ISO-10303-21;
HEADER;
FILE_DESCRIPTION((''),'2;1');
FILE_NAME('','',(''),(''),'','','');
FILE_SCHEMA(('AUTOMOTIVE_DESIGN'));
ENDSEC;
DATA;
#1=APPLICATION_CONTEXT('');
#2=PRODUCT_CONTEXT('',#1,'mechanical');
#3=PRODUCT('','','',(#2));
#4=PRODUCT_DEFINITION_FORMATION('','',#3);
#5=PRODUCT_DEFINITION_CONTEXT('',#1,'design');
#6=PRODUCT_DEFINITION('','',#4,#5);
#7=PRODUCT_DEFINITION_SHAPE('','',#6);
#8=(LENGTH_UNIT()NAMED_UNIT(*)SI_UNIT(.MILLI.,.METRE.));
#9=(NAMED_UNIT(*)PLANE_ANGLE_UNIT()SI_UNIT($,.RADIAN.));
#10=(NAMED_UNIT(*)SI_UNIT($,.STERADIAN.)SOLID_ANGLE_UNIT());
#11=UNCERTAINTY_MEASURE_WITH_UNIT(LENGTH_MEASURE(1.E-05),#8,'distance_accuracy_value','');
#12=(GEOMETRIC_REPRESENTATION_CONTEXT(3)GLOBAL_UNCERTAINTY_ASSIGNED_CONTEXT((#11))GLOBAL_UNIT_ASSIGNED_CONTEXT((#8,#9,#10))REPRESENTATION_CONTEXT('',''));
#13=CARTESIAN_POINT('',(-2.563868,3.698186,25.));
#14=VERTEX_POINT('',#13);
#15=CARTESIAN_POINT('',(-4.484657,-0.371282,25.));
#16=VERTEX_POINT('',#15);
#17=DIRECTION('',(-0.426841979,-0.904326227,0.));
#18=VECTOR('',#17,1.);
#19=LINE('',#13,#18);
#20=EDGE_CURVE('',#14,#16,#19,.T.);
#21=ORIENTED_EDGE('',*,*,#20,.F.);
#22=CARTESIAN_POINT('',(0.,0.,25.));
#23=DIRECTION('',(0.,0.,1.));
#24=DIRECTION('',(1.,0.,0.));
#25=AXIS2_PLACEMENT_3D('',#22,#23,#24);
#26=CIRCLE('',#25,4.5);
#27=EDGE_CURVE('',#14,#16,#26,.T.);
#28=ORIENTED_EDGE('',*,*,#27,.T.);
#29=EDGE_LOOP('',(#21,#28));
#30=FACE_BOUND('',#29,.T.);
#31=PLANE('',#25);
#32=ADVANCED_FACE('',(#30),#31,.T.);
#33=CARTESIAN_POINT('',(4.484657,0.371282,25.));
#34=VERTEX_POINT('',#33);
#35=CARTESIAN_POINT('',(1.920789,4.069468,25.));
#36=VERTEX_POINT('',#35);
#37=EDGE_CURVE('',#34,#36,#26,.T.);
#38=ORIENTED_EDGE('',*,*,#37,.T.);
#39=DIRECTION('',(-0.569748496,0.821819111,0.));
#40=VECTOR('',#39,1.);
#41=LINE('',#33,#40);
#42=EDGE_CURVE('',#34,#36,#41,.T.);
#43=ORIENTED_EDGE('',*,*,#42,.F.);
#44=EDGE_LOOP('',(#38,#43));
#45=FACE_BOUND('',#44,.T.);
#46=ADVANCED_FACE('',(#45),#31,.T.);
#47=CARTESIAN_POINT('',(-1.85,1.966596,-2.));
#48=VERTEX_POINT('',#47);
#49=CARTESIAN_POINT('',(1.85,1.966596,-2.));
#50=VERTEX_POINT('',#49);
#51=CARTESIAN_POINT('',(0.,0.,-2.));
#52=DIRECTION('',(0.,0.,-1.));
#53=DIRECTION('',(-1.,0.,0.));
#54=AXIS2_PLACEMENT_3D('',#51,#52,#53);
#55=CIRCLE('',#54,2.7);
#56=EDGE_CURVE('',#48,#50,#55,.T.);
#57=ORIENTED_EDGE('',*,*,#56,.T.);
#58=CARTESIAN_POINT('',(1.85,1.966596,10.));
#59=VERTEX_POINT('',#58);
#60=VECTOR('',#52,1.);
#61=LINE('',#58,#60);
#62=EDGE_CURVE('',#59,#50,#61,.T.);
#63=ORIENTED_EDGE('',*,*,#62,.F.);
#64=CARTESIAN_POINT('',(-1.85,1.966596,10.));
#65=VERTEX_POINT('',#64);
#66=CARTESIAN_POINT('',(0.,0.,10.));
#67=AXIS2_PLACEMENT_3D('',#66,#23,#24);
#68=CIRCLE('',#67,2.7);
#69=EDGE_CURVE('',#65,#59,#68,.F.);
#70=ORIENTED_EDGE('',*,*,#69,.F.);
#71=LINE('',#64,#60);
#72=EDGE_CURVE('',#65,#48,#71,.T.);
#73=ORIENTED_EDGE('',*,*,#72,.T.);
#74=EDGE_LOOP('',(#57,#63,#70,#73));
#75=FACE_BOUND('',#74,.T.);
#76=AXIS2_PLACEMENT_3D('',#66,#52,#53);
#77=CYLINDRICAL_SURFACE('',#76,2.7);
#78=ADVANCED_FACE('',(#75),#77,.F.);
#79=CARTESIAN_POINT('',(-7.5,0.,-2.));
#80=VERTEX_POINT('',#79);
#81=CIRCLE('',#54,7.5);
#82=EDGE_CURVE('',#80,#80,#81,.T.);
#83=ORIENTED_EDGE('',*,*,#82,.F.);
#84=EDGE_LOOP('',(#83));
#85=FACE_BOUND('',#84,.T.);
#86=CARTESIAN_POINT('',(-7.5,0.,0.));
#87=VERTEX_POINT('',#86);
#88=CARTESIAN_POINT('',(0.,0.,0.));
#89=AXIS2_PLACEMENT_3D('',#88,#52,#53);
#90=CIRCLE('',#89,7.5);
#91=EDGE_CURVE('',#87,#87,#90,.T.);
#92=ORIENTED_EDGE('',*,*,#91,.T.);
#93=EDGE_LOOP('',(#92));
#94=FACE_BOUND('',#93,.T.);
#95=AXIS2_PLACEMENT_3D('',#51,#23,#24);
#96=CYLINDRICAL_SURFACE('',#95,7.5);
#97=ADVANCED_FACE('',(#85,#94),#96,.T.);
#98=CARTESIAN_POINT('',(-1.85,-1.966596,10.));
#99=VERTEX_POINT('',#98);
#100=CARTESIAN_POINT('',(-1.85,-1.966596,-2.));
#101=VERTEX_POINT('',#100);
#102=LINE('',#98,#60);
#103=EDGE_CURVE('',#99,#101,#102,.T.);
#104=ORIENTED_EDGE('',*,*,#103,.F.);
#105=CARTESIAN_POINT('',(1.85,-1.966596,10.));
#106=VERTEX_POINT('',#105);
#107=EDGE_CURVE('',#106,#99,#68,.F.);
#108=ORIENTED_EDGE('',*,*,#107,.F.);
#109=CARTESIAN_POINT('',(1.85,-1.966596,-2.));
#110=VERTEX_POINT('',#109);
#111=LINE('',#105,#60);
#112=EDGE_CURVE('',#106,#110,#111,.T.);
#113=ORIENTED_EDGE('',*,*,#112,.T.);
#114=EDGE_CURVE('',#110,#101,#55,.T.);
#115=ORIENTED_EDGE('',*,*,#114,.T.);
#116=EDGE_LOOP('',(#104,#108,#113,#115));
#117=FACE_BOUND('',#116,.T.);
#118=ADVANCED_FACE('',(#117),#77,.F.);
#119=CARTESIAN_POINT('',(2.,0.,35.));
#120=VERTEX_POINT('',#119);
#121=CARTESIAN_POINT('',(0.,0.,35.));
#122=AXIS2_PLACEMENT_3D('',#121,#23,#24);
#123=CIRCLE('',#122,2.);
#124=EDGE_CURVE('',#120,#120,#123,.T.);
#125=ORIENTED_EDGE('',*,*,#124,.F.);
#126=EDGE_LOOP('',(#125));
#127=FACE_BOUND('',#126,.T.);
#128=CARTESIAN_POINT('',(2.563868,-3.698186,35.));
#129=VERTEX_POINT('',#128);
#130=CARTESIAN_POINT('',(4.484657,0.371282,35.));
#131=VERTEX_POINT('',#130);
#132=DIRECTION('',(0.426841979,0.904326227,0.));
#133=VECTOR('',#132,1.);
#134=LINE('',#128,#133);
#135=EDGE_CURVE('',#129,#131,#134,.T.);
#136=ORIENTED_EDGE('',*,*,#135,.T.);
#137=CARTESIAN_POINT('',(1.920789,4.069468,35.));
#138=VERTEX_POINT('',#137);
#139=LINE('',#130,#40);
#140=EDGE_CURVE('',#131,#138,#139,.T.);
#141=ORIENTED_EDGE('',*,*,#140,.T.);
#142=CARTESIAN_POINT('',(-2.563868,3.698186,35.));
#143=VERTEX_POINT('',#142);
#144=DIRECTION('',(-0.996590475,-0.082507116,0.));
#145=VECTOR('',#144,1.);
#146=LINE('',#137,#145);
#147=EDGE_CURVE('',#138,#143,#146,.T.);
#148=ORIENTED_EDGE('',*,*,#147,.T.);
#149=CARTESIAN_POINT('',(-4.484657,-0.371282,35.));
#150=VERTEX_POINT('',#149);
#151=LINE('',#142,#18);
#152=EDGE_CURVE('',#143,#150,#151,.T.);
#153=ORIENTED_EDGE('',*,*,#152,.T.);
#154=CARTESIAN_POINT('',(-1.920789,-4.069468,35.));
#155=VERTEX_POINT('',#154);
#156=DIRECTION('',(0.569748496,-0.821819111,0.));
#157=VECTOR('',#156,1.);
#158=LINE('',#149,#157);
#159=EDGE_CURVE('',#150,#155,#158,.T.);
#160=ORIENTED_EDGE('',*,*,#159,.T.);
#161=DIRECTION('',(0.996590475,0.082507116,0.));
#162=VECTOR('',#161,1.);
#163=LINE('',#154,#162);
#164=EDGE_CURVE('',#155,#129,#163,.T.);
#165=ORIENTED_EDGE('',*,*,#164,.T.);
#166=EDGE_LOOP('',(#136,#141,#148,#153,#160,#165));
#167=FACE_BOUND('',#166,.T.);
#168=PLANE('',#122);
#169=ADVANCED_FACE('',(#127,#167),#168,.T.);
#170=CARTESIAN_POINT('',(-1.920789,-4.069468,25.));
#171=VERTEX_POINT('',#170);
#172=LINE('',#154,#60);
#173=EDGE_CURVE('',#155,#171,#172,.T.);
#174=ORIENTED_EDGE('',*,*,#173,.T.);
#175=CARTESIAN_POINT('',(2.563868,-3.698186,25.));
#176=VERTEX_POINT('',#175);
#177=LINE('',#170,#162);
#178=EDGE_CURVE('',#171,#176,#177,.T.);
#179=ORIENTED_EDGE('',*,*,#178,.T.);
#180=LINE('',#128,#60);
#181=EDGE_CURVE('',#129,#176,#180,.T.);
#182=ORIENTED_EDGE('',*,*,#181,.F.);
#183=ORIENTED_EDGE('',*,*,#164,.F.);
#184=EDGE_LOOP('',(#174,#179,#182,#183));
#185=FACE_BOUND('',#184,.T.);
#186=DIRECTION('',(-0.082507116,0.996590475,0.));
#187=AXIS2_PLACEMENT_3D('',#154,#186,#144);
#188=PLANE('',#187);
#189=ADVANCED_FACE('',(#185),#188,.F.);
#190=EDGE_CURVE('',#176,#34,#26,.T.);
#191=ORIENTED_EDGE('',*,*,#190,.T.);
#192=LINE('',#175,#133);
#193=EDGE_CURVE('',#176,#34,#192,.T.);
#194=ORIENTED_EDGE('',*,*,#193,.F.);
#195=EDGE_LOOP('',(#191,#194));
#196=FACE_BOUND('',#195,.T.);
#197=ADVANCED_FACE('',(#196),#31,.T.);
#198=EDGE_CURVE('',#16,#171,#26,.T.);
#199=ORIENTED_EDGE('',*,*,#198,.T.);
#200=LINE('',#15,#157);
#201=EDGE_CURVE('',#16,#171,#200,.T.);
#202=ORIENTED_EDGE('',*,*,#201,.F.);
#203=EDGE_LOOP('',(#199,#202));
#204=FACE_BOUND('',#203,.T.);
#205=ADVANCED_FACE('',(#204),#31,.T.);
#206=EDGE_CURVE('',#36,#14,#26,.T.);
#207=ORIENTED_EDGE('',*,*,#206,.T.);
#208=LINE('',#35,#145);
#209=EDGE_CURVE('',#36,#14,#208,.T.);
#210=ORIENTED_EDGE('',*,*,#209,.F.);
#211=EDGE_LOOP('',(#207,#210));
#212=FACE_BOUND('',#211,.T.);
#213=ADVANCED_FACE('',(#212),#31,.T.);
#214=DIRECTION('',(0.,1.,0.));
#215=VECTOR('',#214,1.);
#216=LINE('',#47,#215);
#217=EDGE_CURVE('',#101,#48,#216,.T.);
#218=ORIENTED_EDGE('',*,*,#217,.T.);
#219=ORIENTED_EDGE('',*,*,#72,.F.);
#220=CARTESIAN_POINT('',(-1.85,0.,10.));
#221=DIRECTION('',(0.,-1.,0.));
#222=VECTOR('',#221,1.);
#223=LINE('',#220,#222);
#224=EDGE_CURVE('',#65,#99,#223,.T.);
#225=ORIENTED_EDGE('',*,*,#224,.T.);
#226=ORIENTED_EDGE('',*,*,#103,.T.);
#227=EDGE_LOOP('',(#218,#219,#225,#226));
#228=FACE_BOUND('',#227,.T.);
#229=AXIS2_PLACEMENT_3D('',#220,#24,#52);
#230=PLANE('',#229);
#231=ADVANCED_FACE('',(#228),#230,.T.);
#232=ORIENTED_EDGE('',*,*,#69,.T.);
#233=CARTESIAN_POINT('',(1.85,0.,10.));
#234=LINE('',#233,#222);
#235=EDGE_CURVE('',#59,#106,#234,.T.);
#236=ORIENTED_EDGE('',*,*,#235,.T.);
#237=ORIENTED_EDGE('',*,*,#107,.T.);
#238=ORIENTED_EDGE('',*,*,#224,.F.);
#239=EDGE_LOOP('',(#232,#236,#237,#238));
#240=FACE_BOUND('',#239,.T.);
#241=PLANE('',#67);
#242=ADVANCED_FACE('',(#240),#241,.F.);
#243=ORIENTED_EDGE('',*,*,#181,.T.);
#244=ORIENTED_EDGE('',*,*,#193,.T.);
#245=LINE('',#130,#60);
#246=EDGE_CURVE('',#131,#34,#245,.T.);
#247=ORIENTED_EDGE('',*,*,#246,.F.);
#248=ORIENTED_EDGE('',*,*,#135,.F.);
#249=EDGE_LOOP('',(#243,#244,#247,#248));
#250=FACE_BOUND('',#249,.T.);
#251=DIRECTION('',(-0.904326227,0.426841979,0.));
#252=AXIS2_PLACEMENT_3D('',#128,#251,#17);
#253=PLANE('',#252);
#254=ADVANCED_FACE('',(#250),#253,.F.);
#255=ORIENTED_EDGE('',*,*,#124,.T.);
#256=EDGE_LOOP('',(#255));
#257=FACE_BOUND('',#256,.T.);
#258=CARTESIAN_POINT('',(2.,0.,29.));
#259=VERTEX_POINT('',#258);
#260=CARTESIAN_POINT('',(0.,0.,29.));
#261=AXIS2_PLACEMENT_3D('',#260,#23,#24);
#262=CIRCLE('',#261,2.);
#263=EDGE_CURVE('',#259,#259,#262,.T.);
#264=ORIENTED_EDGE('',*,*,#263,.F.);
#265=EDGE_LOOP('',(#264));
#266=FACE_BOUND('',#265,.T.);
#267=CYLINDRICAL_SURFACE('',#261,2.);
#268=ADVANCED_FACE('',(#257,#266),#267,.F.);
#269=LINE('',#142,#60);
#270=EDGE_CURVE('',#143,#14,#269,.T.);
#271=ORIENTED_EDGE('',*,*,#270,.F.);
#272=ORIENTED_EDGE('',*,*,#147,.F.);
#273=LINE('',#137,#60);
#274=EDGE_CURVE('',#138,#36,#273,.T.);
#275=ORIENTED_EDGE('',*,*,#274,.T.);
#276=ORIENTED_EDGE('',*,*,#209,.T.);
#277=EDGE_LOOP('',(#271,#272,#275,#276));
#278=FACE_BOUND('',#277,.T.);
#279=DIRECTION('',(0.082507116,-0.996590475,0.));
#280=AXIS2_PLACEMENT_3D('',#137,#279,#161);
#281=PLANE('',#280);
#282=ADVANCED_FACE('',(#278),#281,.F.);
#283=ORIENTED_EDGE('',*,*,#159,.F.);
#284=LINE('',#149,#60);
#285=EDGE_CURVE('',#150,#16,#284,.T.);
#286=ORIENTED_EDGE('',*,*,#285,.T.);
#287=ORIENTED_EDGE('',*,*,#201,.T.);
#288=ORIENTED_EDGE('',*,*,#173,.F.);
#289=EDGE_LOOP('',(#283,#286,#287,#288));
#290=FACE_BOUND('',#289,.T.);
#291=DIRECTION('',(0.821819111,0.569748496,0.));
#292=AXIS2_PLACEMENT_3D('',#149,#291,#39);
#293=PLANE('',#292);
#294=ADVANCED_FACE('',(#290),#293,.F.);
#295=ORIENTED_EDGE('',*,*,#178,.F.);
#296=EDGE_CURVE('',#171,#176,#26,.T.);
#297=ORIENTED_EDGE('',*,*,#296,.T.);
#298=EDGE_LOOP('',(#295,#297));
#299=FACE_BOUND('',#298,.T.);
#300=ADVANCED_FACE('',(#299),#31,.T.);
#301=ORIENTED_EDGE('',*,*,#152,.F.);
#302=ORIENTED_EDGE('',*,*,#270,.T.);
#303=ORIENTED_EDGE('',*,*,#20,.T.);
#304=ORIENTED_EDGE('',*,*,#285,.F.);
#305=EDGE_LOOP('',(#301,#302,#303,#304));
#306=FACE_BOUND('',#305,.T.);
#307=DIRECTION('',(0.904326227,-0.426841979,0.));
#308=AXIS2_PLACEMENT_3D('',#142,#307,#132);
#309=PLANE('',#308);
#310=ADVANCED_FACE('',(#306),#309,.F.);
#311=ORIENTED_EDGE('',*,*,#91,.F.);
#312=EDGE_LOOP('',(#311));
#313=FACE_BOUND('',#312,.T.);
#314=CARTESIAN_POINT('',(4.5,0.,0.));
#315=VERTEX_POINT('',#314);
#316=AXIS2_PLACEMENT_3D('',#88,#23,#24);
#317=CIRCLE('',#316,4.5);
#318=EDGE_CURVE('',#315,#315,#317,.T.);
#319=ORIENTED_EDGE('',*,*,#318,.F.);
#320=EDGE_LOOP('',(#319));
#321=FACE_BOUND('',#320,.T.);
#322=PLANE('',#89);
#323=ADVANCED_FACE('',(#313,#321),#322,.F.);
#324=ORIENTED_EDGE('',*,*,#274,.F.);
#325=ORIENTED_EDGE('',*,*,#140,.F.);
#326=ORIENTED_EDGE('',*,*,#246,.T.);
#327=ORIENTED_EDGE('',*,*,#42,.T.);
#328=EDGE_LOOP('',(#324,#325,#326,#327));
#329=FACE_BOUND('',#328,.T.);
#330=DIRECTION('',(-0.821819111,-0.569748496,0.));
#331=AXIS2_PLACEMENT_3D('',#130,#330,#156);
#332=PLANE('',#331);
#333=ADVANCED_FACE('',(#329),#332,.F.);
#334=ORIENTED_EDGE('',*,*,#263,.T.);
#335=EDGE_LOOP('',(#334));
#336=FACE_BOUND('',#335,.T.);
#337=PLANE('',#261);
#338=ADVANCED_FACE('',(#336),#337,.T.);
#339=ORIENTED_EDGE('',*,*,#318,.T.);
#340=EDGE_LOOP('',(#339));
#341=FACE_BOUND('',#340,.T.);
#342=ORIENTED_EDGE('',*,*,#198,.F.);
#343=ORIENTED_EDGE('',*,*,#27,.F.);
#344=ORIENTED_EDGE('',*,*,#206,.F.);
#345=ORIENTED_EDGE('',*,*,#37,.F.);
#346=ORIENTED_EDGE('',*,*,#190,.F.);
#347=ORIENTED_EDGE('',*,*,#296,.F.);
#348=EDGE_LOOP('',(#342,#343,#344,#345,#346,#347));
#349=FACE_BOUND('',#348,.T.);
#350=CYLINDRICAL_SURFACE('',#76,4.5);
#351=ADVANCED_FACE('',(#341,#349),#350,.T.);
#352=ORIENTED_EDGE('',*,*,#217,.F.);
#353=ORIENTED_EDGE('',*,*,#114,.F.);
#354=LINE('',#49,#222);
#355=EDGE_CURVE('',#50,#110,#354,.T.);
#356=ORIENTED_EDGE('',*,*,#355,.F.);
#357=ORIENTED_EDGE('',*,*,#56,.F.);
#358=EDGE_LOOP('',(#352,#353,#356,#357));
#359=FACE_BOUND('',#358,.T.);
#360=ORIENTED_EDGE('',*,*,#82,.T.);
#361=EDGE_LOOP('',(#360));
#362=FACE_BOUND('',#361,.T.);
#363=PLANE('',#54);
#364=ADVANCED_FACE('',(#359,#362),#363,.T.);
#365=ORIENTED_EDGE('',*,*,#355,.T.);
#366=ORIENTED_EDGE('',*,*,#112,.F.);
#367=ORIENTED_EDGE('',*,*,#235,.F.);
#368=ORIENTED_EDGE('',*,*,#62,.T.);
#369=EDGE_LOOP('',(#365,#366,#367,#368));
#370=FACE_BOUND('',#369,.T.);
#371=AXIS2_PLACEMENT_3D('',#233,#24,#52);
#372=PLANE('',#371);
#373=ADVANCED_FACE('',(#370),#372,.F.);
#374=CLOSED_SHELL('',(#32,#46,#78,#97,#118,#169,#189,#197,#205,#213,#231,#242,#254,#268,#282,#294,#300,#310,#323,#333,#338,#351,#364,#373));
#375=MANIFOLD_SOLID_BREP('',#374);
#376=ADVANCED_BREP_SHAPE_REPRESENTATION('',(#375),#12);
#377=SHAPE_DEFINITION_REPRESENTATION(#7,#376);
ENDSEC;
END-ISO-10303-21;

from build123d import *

# Parameters (mm, degrees)
SKETCH1_R           = 4.5
BOSS_EXTRUDE1_DEPTH = 10
BOSS_EXTRUDE2_START = 2
SKETCH2_R           = 7.5
BOSS_EXTRUDE2_DEPTH = 2
SKETCH3_R           = 4.5
BOSS_EXTRUDE3_DEPTH = 15
BOSS_EXTRUDE4_DEPTH = 10
SKETCH5_R           = 2
CUT_EXTRUDE1_DEPTH  = 6


with BuildPart() as part:
    # Sketch1 → Boss-Extrude1 (new body)
    with BuildSketch(Plane.XY):
        Circle(SKETCH1_R)
        with BuildLine():
            Line((-1.85, 1.966596044), (-1.85, -1.966596044))
            ThreePointArc((-1.85, -1.966596044), (0, -2.7), (1.85, -1.966596044))
            Line((1.85, -1.966596044), (1.85, 1.966596044))
            ThreePointArc((1.85, 1.966596044), (1.851058142, 1.9656001), (1.852115749, 1.964603587))
            ThreePointArc((1.852115749, 1.964603587), (0.001453124, 2.699999609), (-1.85, 1.966596044))
        make_face(mode=Mode.SUBTRACT)
    extrude(amount=BOSS_EXTRUDE1_DEPTH)

    # Sketch2 → Boss-Extrude2 (add)
    with BuildSketch(Plane(origin=(0, 0, 0), x_dir=(-1, 0, 0), z_dir=(0, 0, -1)).offset(BOSS_EXTRUDE2_START)):
        Circle(SKETCH2_R)
        with BuildLine():
            Line((1.85, 1.966596044), (1.85, -1.966596044))
            ThreePointArc((1.85, -1.966596044), (0, -2.7), (-1.85, -1.966596044))
            Line((-1.85, -1.966596044), (-1.85, 1.966596044))
            ThreePointArc((-1.85, 1.966596044), (0, 2.7), (1.85, 1.966596044))
        make_face(mode=Mode.SUBTRACT)
    extrude(amount=-BOSS_EXTRUDE2_DEPTH)

    # Sketch3 → Boss-Extrude3 (add)
    with BuildSketch(Plane.XY.offset(10)):
        Circle(SKETCH3_R)
    extrude(amount=BOSS_EXTRUDE3_DEPTH)

    # Sketch4 → Boss-Extrude4 (add)
    with BuildSketch(Plane.XY.offset(25)):
        Polygon((1.920788906, 4.069468022), (-2.563868233, 3.698185999), (-4.48465714, -0.371282023), (-1.920788906, -4.069468022), (2.563868233, -3.698185999), (4.48465714, 0.371282023), align=None)
    extrude(amount=BOSS_EXTRUDE4_DEPTH)

    # Sketch5 → Cut-Extrude1 (cut)
    with BuildSketch(Plane.XY.offset(35)):
        Circle(SKETCH5_R)
    extrude(amount=-CUT_EXTRUDE1_DEPTH, mode=Mode.SUBTRACT)


solid = part.part
